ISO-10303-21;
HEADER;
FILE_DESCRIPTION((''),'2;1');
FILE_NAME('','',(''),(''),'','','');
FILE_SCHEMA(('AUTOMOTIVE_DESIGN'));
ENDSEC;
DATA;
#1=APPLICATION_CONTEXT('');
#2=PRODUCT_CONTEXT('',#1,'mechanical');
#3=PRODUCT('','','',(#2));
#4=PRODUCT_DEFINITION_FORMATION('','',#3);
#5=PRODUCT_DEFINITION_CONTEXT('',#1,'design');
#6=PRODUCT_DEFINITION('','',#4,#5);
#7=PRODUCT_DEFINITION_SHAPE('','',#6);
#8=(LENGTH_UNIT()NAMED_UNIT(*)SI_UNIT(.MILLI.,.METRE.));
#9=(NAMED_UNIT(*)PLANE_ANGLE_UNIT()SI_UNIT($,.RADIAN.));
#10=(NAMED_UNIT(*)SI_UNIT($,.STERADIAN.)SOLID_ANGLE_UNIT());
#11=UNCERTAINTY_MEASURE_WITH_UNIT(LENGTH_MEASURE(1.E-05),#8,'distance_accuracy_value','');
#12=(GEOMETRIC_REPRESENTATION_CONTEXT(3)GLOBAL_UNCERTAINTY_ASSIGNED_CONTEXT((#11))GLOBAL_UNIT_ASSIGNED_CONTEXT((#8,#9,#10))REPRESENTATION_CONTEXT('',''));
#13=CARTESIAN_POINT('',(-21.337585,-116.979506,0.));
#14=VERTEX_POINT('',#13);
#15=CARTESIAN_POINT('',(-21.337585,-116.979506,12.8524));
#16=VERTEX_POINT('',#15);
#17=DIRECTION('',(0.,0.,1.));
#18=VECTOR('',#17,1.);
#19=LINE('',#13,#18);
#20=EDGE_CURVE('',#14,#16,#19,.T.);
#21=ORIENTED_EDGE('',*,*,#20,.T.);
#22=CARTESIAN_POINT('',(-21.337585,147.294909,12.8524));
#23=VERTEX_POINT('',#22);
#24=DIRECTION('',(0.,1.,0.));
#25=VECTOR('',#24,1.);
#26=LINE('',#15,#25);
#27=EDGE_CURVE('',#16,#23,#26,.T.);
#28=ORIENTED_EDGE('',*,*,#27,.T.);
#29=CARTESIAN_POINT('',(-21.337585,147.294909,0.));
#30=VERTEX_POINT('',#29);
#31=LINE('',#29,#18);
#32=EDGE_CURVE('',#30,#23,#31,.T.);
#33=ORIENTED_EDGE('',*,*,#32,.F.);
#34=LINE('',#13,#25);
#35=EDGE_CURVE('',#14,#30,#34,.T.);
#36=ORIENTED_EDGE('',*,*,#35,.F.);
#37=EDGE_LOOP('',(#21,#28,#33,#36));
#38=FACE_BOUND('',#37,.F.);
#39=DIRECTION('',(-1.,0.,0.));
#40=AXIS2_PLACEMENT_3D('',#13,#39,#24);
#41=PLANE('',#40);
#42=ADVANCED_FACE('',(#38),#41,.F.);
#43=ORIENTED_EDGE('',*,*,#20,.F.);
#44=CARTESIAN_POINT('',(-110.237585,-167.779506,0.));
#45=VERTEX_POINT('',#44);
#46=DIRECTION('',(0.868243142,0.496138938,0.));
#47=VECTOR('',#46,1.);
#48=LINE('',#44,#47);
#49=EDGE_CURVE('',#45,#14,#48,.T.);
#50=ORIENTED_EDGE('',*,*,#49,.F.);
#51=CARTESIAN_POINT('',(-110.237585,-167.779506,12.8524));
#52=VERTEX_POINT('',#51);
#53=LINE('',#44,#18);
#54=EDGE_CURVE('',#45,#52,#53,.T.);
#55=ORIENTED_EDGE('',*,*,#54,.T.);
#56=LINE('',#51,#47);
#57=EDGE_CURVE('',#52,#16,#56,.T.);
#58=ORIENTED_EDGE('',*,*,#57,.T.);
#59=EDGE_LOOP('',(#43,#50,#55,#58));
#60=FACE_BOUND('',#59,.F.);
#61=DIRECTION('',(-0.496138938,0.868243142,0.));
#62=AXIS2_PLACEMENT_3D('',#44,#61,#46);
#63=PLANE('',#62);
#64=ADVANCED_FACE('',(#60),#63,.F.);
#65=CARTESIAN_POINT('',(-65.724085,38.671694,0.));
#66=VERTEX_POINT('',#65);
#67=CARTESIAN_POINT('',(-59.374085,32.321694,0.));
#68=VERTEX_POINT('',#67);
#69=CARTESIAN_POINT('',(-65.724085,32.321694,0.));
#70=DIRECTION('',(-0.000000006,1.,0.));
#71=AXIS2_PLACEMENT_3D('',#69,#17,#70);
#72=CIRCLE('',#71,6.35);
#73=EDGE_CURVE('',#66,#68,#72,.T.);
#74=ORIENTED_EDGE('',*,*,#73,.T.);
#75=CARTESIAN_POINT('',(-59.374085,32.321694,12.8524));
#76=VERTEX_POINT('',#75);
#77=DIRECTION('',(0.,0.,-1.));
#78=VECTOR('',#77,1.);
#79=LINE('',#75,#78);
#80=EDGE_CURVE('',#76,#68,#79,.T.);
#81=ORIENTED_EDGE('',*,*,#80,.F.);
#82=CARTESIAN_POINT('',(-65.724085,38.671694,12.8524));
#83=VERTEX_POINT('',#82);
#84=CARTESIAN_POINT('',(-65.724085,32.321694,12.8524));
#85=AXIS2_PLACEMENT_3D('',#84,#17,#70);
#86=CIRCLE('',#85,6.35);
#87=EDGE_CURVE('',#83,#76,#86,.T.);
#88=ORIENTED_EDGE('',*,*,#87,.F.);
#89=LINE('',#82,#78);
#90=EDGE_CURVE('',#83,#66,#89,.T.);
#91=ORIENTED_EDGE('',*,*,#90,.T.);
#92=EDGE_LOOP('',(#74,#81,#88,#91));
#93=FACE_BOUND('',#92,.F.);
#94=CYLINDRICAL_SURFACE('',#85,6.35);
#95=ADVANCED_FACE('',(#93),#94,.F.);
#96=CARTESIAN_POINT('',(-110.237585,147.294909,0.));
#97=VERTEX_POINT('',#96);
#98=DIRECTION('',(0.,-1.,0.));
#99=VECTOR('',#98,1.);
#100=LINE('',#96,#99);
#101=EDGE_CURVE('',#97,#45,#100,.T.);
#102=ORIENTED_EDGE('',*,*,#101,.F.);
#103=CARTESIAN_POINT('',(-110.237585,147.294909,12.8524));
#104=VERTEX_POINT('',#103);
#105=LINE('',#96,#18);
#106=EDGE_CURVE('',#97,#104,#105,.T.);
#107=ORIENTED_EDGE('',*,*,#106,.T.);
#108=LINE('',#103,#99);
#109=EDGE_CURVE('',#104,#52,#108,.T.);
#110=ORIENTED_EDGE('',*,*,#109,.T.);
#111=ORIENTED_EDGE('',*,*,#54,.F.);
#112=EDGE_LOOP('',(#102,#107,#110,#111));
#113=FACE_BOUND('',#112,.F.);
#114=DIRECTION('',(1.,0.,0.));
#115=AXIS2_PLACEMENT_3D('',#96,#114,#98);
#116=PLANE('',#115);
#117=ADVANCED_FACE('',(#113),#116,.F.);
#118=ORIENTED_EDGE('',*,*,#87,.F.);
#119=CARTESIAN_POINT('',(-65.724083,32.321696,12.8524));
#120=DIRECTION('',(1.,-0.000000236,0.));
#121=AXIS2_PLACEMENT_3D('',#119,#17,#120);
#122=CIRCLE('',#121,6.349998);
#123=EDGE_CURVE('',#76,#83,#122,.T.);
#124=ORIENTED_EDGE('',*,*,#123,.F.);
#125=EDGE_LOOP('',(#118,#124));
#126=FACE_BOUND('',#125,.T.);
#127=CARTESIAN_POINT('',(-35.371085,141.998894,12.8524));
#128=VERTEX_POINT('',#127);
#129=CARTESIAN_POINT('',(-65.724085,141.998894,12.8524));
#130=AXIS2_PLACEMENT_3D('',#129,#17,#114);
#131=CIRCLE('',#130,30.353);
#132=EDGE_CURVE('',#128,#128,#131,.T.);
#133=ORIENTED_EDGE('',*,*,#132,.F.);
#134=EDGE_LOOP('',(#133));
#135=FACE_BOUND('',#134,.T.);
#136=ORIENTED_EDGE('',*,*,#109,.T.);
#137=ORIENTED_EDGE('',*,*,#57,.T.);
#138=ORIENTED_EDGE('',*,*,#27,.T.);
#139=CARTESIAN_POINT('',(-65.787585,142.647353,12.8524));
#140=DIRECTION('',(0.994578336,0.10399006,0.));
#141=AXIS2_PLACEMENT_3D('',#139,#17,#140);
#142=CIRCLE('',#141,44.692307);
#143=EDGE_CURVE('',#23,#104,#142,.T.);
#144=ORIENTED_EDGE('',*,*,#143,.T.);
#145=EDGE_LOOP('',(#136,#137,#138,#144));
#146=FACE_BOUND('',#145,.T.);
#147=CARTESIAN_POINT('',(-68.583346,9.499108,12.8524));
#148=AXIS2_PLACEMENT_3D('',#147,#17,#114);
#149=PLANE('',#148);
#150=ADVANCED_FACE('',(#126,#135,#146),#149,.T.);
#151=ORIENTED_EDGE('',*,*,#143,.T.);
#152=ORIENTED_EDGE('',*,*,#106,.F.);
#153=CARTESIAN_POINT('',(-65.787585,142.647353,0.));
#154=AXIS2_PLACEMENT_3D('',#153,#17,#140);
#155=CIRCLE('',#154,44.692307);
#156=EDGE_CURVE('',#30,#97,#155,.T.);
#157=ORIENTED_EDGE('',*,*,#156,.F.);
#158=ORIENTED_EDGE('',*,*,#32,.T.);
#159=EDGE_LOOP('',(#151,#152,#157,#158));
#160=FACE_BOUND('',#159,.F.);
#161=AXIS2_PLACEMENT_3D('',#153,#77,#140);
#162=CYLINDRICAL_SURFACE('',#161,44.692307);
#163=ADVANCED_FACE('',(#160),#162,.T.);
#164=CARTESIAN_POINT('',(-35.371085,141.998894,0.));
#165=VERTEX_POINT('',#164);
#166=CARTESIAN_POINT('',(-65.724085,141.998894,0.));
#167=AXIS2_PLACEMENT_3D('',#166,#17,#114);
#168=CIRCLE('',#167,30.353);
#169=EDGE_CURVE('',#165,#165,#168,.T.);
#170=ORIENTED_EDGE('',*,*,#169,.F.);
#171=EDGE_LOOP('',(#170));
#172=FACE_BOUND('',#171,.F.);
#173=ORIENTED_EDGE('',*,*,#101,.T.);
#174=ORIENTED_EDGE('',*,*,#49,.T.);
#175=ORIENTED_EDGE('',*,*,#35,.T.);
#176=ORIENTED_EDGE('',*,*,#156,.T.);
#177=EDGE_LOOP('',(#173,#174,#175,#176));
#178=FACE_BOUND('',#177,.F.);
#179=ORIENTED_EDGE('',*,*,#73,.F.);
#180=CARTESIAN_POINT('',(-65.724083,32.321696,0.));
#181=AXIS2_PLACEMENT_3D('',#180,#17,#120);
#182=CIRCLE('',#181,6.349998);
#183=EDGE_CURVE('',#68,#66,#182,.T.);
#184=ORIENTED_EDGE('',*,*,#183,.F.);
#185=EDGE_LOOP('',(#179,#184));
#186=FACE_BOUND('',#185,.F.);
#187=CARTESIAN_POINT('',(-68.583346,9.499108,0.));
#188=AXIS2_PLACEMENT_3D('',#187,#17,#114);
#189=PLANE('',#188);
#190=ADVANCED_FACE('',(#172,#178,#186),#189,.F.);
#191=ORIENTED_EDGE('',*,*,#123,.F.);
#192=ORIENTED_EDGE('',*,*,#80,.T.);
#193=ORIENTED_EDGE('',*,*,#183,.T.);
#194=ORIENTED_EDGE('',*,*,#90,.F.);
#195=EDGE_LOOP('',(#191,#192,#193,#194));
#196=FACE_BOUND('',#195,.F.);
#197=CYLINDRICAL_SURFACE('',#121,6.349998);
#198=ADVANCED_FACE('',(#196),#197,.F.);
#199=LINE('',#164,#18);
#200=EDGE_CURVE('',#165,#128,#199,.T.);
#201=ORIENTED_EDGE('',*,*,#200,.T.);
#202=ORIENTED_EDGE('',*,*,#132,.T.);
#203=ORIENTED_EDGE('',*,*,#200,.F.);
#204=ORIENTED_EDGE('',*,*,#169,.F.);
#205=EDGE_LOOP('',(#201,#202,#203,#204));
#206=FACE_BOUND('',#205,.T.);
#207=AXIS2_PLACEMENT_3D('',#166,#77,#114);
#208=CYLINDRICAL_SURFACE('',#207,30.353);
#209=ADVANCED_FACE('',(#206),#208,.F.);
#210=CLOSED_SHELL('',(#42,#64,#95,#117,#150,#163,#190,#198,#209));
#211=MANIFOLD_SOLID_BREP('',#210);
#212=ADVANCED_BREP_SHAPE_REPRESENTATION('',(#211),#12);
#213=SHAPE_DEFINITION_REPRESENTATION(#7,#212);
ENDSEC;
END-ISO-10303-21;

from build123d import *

# Parameters (mm, degrees)
F4_R     = 30.353
F6_DEPTH = 12.8524
F8_DEPTH = 25.4


with BuildPart() as f6:
    # F4 (on face) → F6 (new body)
    with BuildSketch(Plane.XY):
        with BuildLine():
            Line((-21.337585, -116.979506), (-21.337585, 147.294909))
            ThreePointArc((-21.337585, 147.294909), (-65.787585, 187.33966), (-110.237585, 147.294909))
            Line((-110.237585, 147.294909), (-110.237585, -167.779506))
            Line((-110.237585, -167.779506), (-21.337585, -116.979506))
        make_face()
        with Locations((-65.724085, 141.998894)):
            Circle(F4_R, mode=Mode.SUBTRACT)
    extrude(amount=F6_DEPTH)

    # F7 (on face) → F8 (cut)
    with BuildSketch(Plane.XY.offset(12.8524)):
        with BuildLine():
            ThreePointArc((-59.374085, 32.321694), (-61.233957, 36.811823), (-65.724085, 38.671694))
            ThreePointArc((-65.724085, 38.671694), (-70.214213, 27.831566), (-59.374085, 32.321694))
        make_face()
    extrude(amount=-F8_DEPTH, mode=Mode.SUBTRACT)


solid = f6.part
